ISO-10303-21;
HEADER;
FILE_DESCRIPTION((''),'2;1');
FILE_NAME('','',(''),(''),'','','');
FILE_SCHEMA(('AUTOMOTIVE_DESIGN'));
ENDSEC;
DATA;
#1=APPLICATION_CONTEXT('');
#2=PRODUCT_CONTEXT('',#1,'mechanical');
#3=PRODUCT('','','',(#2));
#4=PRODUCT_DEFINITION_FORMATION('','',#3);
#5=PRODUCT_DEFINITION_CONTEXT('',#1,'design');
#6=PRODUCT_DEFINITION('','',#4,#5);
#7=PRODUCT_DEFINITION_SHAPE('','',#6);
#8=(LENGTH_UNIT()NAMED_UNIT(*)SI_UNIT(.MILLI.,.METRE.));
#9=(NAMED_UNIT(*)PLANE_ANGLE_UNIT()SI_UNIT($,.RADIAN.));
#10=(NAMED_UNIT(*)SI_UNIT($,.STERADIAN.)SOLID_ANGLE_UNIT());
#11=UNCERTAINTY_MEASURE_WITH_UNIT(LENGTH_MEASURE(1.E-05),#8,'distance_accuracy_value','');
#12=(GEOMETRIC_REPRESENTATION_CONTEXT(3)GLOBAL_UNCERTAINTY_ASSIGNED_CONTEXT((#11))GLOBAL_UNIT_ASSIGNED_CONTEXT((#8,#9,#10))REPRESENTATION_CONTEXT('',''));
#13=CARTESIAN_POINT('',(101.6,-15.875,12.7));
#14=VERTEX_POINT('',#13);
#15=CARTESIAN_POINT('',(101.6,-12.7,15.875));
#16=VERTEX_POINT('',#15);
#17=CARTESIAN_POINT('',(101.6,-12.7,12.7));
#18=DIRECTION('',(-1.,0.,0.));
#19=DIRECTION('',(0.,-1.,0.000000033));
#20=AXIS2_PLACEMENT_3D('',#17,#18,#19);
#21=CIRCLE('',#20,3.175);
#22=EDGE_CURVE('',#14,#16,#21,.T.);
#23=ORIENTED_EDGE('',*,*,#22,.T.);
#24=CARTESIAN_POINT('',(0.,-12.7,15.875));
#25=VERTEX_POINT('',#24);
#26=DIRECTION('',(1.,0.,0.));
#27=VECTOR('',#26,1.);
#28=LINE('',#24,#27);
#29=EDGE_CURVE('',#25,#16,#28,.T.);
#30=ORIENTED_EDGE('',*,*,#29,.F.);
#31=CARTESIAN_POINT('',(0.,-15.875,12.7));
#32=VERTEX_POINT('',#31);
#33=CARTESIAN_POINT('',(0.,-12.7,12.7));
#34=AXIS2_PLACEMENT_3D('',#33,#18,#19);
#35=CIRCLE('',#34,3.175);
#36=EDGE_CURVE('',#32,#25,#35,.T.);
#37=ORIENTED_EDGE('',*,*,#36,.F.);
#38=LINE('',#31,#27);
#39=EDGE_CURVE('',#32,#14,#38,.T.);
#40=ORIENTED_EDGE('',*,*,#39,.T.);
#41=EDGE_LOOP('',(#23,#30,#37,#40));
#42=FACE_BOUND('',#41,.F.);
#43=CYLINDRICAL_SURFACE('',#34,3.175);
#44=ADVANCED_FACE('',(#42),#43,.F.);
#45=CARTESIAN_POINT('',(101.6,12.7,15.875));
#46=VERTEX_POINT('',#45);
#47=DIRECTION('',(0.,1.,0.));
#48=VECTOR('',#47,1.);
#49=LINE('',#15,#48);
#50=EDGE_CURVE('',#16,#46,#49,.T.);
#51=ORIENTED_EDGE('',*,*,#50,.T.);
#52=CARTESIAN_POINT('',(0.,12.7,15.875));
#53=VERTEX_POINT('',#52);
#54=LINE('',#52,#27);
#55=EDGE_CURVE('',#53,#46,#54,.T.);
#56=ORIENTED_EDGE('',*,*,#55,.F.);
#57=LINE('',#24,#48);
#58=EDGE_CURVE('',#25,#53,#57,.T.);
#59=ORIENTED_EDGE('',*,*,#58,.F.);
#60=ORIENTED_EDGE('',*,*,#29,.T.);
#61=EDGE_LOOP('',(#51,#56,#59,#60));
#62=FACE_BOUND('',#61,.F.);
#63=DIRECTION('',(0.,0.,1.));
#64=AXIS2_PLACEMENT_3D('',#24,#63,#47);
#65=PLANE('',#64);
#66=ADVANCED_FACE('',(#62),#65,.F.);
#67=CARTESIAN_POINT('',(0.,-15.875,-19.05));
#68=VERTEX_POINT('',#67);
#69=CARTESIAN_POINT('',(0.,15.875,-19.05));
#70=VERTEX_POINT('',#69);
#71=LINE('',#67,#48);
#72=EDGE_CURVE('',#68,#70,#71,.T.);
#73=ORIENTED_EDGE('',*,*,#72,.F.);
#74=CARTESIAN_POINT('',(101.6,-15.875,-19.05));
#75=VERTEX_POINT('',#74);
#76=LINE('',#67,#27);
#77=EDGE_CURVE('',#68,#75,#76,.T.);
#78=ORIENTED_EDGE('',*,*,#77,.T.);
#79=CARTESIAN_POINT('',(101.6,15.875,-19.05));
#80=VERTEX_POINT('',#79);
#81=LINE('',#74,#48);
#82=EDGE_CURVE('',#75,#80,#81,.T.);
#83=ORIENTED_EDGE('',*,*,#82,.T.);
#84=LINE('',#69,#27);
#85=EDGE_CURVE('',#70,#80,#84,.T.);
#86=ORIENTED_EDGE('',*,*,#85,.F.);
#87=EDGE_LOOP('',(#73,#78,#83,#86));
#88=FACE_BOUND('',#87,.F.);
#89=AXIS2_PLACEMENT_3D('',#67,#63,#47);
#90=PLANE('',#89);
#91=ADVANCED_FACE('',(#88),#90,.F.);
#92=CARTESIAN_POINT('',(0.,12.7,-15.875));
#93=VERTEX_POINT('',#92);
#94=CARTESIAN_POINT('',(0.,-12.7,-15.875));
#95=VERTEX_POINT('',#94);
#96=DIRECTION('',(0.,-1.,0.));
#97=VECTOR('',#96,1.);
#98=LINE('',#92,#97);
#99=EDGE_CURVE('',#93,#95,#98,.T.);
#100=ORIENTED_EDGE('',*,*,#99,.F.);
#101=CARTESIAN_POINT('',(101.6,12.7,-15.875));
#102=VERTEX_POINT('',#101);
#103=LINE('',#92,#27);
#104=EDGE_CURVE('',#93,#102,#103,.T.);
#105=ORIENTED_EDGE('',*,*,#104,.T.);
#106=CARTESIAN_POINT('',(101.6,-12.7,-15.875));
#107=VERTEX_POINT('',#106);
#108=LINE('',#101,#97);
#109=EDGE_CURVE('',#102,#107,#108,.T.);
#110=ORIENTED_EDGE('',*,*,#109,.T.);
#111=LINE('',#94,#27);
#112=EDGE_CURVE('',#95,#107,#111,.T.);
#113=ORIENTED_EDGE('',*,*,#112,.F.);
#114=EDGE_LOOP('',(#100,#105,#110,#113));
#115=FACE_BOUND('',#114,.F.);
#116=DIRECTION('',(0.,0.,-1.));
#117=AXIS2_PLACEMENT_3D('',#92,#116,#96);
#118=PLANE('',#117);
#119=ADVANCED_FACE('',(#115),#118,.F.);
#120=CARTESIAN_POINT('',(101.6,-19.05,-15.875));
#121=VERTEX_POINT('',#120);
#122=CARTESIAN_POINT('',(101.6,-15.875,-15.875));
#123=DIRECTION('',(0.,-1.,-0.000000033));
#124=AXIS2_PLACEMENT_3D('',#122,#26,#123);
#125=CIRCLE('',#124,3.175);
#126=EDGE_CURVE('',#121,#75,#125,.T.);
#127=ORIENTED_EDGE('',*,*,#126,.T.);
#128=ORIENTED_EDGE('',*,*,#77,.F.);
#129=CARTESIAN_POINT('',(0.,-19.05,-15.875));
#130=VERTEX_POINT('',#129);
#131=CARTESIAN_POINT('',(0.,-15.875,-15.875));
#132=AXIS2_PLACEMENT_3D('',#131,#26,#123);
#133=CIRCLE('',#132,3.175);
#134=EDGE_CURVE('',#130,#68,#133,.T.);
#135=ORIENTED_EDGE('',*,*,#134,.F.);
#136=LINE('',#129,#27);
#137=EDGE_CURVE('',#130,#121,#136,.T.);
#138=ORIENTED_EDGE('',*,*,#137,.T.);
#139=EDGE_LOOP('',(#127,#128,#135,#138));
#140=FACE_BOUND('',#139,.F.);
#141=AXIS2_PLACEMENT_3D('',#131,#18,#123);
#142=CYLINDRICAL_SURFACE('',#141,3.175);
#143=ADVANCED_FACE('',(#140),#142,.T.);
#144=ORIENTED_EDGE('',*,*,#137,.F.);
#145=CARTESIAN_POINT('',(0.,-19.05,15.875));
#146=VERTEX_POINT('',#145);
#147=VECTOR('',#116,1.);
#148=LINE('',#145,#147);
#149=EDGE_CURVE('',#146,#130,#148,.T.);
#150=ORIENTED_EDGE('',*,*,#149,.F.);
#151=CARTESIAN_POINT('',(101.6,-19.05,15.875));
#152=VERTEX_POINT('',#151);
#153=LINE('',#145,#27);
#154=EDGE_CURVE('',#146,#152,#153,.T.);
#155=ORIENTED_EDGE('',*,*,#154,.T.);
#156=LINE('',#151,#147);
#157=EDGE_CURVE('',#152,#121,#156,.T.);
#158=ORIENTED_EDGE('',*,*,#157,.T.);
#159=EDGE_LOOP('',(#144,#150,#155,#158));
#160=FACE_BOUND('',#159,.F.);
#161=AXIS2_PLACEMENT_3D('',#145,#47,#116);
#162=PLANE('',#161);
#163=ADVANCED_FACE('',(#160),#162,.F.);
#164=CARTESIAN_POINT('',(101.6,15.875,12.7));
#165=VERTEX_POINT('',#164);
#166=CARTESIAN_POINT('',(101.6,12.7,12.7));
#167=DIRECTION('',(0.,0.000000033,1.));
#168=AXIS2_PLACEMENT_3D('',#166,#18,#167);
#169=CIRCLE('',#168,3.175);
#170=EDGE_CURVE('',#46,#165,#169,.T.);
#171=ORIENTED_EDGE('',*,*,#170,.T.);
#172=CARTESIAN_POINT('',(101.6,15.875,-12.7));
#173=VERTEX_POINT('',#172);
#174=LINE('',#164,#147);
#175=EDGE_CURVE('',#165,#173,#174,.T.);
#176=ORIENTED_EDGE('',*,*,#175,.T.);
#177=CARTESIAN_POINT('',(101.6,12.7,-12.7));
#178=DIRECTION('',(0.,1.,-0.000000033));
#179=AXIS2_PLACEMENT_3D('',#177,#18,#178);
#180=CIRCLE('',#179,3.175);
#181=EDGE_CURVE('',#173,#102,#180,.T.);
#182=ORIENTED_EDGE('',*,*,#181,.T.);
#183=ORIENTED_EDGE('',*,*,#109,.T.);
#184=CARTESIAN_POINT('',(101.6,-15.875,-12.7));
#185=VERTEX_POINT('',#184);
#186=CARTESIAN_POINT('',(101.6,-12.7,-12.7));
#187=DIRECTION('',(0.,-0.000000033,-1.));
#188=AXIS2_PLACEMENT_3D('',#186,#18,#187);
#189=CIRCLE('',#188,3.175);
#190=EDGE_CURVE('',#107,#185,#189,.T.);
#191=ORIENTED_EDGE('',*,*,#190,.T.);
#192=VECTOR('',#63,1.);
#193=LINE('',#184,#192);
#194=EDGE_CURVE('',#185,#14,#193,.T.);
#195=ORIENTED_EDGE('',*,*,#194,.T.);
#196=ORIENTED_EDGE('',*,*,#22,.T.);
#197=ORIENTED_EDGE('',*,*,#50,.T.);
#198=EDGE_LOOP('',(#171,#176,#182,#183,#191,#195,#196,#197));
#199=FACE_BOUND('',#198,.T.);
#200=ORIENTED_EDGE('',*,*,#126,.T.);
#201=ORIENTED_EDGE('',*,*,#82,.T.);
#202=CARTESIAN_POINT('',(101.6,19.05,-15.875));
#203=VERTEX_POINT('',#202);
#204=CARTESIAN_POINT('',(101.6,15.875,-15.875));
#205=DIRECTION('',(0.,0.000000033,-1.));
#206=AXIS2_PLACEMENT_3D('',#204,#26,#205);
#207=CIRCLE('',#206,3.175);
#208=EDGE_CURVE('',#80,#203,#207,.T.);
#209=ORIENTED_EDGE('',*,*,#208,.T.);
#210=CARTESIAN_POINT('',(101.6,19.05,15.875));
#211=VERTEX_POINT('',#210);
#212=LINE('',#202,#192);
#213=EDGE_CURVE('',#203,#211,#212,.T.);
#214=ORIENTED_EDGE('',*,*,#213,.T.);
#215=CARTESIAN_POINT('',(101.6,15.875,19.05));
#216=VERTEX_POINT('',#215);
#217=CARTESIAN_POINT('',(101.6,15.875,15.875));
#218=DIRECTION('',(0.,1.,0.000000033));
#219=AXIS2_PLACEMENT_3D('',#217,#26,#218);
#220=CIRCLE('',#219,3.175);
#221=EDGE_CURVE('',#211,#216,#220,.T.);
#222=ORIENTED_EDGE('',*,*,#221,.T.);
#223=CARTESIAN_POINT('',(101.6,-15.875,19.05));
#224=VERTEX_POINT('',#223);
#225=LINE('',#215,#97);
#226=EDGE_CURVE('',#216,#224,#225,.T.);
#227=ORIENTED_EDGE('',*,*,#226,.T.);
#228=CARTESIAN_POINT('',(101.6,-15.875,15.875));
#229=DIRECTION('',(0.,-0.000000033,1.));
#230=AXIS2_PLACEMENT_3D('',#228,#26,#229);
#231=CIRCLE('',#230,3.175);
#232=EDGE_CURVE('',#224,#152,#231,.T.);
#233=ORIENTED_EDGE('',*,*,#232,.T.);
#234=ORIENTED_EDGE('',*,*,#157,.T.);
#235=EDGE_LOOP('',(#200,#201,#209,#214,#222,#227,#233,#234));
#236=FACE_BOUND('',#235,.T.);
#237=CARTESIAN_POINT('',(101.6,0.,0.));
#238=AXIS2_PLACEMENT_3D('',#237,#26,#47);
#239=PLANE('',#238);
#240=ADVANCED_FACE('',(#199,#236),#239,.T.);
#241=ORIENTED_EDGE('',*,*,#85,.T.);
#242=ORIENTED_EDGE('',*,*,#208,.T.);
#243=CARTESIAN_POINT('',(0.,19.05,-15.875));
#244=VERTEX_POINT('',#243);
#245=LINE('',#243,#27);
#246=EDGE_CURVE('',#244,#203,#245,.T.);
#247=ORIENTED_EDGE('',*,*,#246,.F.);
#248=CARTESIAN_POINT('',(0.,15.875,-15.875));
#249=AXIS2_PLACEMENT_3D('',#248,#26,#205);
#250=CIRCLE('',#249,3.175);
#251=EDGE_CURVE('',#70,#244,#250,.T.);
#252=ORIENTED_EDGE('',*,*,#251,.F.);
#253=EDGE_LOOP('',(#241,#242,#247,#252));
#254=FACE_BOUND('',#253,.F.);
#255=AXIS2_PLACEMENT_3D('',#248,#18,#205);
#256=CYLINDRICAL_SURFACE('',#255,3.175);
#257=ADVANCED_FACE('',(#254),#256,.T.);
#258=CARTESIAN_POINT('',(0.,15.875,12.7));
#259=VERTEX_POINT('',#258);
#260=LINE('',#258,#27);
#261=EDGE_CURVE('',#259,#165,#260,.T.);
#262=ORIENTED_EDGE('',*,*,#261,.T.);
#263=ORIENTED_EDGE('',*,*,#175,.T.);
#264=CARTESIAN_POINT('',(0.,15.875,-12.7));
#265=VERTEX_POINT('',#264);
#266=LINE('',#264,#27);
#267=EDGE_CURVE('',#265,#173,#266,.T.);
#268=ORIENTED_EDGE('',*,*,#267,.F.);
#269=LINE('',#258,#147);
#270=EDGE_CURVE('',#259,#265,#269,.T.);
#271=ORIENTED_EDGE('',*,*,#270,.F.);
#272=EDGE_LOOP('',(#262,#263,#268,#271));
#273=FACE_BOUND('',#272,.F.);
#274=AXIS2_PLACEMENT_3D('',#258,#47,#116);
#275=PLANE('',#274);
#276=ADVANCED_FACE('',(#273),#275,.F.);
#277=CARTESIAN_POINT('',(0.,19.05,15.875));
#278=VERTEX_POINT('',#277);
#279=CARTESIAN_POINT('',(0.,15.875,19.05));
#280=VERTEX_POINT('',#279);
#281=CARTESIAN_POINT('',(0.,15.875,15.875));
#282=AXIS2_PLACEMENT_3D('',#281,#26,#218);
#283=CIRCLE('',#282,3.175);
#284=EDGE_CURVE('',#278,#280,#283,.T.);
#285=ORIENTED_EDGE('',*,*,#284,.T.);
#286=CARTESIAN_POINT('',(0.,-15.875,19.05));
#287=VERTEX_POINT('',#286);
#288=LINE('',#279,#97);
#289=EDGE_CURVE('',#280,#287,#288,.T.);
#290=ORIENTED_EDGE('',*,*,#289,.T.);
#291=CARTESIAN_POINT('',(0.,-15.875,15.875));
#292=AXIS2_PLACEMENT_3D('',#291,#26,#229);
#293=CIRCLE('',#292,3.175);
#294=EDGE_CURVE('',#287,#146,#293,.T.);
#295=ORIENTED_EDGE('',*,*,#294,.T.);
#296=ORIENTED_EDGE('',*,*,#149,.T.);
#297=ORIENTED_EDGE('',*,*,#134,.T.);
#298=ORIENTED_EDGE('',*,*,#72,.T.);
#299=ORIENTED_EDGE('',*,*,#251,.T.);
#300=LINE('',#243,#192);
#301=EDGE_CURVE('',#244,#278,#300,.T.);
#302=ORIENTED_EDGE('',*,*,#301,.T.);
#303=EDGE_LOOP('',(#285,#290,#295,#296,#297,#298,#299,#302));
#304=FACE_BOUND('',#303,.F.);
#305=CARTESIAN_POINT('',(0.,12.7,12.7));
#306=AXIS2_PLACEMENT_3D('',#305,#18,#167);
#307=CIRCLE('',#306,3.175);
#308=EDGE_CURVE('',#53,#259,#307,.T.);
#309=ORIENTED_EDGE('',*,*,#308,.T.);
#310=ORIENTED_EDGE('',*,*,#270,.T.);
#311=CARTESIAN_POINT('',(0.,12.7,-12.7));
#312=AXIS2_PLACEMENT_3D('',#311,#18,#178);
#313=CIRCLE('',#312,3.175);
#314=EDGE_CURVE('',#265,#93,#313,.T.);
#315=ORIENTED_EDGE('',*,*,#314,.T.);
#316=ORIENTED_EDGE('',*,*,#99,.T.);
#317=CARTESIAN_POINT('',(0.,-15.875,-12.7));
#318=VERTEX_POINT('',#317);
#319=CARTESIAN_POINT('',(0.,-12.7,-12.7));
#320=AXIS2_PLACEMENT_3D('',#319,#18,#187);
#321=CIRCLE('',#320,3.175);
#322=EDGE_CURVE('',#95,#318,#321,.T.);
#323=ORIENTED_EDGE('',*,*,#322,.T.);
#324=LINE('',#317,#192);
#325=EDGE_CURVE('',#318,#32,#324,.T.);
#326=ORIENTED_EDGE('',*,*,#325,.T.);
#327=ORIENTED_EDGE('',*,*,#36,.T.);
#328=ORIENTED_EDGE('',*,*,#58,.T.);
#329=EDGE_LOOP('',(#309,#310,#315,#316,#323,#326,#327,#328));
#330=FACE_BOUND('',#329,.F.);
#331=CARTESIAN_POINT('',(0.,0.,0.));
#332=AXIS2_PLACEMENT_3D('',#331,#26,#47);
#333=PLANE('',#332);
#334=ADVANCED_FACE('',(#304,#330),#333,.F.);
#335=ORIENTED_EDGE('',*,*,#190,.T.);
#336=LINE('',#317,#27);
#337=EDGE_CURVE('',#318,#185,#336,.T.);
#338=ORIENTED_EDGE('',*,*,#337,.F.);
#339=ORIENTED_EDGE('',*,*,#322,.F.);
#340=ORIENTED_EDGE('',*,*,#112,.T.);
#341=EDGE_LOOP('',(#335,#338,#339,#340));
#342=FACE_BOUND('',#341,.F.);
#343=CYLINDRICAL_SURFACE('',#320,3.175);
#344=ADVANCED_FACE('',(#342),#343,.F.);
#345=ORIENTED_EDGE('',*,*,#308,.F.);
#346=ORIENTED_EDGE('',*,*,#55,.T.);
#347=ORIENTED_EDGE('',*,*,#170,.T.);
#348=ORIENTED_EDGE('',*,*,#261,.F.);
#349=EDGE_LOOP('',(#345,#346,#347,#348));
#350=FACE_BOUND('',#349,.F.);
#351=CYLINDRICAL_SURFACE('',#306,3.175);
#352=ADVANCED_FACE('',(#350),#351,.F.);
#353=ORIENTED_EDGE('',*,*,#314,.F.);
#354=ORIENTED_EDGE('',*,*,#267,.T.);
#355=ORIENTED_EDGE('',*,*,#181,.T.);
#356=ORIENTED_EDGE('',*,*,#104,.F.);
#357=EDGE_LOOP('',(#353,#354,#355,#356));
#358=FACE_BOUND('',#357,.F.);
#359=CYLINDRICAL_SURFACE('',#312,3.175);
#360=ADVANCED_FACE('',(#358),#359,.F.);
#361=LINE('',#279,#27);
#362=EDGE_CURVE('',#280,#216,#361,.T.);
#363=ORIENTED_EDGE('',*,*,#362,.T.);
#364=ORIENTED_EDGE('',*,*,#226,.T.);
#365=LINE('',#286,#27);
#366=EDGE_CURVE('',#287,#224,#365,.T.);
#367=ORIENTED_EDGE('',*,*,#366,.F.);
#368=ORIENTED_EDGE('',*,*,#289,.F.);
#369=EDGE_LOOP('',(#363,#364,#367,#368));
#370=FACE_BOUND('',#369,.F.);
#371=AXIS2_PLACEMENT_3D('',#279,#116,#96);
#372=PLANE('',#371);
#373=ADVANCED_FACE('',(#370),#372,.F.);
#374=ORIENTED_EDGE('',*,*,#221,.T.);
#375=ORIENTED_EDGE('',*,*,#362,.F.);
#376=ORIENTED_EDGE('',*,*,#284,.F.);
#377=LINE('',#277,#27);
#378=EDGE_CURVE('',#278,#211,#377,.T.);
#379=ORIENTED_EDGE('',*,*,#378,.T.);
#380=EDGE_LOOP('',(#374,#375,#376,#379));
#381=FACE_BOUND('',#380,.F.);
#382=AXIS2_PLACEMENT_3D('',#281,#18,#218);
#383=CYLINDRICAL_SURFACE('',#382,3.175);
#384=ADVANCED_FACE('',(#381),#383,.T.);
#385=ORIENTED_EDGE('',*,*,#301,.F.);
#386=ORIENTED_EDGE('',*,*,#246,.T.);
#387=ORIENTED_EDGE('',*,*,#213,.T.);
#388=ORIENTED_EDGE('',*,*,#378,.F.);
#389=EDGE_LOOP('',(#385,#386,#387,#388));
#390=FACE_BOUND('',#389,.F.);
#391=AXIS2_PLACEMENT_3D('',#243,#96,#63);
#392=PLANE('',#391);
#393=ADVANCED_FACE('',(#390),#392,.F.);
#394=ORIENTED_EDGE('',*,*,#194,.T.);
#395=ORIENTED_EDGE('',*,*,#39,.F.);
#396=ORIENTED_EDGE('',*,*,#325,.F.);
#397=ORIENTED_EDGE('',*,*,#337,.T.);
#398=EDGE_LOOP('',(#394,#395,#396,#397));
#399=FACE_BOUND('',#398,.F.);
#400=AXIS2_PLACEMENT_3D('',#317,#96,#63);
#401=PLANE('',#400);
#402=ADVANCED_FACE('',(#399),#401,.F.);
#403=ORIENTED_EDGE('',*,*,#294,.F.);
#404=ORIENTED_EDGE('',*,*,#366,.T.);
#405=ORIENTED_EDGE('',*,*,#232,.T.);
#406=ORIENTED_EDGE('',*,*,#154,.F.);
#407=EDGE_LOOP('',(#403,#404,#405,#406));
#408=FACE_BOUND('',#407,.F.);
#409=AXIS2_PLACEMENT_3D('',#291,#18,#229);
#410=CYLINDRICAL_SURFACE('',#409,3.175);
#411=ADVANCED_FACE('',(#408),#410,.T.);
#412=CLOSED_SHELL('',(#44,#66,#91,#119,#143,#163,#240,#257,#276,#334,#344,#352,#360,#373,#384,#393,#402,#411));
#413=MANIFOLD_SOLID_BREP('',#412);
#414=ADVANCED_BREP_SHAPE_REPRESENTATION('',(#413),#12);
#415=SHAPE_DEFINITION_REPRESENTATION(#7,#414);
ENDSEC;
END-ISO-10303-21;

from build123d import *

# Parameters (mm, degrees)
F1_DEPTH = 101.6


with BuildPart() as f1:
    # F0 (on Right) → F1 (new body)
    with BuildSketch(Plane.YZ):
        with BuildLine():
            ThreePointArc((19.05, 15.875), (18.120064, 18.120064), (15.875, 19.05))
            Line((15.875, 19.05), (-15.875, 19.05))
            ThreePointArc((-15.875, 19.05), (-18.120064, 18.120064), (-19.05, 15.875))
            Line((-19.05, 15.875), (-19.05, -15.875))
            ThreePointArc((-19.05, -15.875), (-18.120064, -18.120064), (-15.875, -19.05))
            Line((-15.875, -19.05), (15.875, -19.05))
            ThreePointArc((15.875, -19.05), (18.120064, -18.120064), (19.05, -15.875))
            Line((19.05, -15.875), (19.05, 15.875))
        make_face()
        with BuildLine():
            Line((-12.7, 15.875), (12.7, 15.875))
            ThreePointArc((12.7, 15.875), (14.945064, 14.945064), (15.875, 12.7))
            Line((15.875, 12.7), (15.875, -12.7))
            ThreePointArc((15.875, -12.7), (14.945064, -14.945064), (12.7, -15.875))
            Line((12.7, -15.875), (-12.7, -15.875))
            ThreePointArc((-12.7, -15.875), (-14.945064, -14.945064), (-15.875, -12.7))
            Line((-15.875, -12.7), (-15.875, 12.7))
            ThreePointArc((-15.875, 12.7), (-14.945064, 14.945064), (-12.7, 15.875))
        make_face(mode=Mode.SUBTRACT)
    extrude(amount=F1_DEPTH)


solid = f1.part
